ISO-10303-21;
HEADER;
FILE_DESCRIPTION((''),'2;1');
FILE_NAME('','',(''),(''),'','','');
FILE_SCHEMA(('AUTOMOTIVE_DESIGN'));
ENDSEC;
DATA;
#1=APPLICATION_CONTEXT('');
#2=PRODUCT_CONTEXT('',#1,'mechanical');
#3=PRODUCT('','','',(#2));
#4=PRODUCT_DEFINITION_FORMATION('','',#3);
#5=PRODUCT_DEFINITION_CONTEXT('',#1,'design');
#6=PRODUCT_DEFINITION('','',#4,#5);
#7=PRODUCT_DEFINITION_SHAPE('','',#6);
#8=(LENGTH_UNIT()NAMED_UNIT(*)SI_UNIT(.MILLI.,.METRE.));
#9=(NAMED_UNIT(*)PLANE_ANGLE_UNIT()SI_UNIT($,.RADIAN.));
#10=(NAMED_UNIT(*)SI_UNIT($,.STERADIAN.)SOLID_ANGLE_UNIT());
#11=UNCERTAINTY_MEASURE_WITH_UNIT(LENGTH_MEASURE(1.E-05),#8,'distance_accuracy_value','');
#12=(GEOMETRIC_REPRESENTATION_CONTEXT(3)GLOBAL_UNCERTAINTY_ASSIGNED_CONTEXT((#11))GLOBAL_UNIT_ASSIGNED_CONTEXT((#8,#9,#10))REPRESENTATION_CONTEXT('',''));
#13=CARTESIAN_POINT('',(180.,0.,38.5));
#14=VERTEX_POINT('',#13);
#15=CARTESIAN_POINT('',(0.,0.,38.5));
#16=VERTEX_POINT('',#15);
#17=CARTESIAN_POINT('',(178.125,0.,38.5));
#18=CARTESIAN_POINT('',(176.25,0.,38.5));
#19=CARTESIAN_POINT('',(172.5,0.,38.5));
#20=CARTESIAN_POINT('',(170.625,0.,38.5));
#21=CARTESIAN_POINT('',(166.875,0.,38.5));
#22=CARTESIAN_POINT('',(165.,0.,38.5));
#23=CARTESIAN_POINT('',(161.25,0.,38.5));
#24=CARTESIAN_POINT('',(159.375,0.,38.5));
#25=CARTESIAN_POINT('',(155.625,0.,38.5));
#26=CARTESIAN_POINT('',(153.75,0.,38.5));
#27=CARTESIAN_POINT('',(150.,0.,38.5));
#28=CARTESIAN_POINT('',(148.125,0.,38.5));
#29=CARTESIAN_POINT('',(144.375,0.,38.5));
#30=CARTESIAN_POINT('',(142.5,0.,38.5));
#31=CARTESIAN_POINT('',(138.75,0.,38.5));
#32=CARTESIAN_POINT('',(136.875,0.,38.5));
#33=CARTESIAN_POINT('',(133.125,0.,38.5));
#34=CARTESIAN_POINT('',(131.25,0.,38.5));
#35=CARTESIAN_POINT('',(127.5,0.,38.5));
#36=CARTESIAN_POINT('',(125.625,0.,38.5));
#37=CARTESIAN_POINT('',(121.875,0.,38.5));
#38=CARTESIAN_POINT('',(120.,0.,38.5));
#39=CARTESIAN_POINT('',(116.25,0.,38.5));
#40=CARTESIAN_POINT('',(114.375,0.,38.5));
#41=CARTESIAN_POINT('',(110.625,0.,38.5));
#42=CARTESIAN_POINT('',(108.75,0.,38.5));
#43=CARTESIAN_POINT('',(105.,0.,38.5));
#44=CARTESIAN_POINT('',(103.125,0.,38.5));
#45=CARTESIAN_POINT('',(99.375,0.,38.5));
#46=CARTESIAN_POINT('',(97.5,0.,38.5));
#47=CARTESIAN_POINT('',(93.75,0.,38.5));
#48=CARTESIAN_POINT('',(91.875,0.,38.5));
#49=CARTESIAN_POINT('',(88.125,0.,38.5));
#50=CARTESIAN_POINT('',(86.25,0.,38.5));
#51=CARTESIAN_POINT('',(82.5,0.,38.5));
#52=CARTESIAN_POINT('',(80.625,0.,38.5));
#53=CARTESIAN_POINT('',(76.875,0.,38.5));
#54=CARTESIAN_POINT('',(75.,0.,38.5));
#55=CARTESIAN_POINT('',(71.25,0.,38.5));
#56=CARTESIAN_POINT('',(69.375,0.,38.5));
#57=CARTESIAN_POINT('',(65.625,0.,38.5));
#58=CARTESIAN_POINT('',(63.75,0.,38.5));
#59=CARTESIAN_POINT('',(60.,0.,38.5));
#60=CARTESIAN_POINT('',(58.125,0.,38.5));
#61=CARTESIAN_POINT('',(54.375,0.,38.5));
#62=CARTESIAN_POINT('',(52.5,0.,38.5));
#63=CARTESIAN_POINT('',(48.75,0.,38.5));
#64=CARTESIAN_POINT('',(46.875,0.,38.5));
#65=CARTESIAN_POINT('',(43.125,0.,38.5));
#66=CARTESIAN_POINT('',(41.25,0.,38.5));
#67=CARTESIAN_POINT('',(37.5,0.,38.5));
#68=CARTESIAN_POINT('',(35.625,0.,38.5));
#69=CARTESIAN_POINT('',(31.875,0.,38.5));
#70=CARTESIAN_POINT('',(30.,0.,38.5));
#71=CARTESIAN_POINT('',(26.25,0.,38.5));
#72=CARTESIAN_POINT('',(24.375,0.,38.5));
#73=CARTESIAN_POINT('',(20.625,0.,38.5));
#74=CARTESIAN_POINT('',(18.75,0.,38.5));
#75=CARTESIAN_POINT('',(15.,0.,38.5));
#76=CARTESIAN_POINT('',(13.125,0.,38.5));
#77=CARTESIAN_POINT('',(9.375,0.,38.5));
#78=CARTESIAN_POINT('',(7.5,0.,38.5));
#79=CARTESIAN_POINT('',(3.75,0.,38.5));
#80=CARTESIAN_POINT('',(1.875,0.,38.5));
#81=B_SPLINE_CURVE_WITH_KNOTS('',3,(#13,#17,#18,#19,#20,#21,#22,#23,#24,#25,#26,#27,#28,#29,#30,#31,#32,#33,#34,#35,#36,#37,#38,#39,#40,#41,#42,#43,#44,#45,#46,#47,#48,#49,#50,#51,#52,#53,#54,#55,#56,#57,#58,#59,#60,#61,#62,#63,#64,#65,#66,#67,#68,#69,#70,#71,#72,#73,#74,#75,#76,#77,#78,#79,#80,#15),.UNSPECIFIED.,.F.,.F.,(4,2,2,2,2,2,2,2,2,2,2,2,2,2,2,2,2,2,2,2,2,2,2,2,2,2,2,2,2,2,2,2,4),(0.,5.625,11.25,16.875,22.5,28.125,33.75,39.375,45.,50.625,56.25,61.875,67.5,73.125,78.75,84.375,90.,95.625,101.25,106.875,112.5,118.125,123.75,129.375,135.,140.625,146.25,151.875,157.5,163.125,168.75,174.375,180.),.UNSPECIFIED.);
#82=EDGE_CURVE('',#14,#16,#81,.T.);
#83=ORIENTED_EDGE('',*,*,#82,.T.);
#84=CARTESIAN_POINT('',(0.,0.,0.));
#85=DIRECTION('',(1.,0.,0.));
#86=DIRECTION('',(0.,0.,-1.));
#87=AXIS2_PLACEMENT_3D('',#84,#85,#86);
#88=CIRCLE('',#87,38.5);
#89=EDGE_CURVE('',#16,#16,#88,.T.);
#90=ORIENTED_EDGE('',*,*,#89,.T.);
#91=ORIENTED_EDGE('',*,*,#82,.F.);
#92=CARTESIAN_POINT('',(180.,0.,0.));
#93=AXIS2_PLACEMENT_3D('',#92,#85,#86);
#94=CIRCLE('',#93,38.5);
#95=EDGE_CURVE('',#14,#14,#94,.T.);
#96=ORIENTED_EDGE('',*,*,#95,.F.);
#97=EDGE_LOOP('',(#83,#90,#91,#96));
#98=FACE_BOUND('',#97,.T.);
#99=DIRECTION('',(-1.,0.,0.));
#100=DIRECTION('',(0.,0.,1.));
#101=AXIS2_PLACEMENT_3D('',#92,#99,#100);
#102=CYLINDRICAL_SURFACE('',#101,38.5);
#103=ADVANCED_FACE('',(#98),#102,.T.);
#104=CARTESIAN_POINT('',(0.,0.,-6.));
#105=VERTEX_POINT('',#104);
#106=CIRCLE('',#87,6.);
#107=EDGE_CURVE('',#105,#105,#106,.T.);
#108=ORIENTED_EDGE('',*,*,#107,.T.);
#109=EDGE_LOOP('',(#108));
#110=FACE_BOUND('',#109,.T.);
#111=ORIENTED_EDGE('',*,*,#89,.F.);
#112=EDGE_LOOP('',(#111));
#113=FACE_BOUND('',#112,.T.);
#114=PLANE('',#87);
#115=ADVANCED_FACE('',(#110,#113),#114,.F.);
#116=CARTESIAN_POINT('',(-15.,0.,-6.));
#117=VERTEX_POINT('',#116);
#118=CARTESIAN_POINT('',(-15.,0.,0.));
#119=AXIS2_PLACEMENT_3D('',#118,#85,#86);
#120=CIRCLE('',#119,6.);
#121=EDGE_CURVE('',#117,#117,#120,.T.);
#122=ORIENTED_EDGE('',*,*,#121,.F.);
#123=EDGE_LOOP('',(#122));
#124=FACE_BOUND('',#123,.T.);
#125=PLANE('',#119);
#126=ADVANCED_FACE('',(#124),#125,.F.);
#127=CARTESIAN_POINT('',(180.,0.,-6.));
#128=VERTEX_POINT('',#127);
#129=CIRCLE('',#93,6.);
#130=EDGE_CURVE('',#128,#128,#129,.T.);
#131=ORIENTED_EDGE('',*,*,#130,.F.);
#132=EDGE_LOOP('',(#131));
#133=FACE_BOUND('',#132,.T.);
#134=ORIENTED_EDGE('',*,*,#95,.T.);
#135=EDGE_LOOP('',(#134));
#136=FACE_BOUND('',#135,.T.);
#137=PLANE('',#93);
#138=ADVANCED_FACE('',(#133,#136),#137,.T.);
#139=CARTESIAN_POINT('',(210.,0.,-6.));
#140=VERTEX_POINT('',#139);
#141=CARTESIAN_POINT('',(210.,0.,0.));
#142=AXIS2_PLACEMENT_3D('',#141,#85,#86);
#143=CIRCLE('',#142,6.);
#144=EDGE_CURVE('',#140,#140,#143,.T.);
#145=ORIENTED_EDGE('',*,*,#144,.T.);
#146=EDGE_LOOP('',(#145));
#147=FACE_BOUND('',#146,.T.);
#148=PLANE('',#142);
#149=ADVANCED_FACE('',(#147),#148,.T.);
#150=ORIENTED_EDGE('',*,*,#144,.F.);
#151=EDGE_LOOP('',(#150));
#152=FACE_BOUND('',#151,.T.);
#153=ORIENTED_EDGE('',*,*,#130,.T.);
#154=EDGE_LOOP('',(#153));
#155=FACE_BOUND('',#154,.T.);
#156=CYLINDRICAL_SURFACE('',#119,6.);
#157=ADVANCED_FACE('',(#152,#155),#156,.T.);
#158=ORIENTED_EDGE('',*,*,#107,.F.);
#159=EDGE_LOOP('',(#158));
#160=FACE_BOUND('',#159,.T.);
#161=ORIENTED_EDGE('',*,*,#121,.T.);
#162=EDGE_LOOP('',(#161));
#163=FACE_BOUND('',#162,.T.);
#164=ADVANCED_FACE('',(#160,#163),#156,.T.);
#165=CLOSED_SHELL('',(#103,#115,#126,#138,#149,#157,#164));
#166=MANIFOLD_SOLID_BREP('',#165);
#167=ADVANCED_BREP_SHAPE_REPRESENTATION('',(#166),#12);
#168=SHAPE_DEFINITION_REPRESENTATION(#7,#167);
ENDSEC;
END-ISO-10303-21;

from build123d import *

# Parameters (mm, degrees)
SKETCH1_R                = 38.5
SKETCH1_R_2              = 6
BOSS_EXTRUDE1_DEPTH      = 180
BOSS_EXTRUDE2_DEPTH      = 210
BOSS_EXTRUDE2_DEPTH_BACK = 15
SKETCH1_3_R              = 6


with BuildPart() as part:
    # Sketch1 → Boss-Extrude1 (new body)
    with BuildSketch(Plane(origin=(0, 0, 0), x_dir=(0, 0, -1), z_dir=(1, 0, 0))):
        Circle(SKETCH1_R)
        Circle(SKETCH1_R_2, mode=Mode.SUBTRACT)
    extrude(amount=BOSS_EXTRUDE1_DEPTH)

    # Sketch1<3> → Boss-Extrude2 (add, two sides: drawn at the far end of the back side and taken through both)
    with BuildSketch(Plane(origin=(0, 0, 0), x_dir=(0, 0, -1), z_dir=(1, 0, 0)).offset(-BOSS_EXTRUDE2_DEPTH_BACK)):
        Circle(SKETCH1_3_R)
    extrude(amount=BOSS_EXTRUDE2_DEPTH + BOSS_EXTRUDE2_DEPTH_BACK)


solid = part.part
